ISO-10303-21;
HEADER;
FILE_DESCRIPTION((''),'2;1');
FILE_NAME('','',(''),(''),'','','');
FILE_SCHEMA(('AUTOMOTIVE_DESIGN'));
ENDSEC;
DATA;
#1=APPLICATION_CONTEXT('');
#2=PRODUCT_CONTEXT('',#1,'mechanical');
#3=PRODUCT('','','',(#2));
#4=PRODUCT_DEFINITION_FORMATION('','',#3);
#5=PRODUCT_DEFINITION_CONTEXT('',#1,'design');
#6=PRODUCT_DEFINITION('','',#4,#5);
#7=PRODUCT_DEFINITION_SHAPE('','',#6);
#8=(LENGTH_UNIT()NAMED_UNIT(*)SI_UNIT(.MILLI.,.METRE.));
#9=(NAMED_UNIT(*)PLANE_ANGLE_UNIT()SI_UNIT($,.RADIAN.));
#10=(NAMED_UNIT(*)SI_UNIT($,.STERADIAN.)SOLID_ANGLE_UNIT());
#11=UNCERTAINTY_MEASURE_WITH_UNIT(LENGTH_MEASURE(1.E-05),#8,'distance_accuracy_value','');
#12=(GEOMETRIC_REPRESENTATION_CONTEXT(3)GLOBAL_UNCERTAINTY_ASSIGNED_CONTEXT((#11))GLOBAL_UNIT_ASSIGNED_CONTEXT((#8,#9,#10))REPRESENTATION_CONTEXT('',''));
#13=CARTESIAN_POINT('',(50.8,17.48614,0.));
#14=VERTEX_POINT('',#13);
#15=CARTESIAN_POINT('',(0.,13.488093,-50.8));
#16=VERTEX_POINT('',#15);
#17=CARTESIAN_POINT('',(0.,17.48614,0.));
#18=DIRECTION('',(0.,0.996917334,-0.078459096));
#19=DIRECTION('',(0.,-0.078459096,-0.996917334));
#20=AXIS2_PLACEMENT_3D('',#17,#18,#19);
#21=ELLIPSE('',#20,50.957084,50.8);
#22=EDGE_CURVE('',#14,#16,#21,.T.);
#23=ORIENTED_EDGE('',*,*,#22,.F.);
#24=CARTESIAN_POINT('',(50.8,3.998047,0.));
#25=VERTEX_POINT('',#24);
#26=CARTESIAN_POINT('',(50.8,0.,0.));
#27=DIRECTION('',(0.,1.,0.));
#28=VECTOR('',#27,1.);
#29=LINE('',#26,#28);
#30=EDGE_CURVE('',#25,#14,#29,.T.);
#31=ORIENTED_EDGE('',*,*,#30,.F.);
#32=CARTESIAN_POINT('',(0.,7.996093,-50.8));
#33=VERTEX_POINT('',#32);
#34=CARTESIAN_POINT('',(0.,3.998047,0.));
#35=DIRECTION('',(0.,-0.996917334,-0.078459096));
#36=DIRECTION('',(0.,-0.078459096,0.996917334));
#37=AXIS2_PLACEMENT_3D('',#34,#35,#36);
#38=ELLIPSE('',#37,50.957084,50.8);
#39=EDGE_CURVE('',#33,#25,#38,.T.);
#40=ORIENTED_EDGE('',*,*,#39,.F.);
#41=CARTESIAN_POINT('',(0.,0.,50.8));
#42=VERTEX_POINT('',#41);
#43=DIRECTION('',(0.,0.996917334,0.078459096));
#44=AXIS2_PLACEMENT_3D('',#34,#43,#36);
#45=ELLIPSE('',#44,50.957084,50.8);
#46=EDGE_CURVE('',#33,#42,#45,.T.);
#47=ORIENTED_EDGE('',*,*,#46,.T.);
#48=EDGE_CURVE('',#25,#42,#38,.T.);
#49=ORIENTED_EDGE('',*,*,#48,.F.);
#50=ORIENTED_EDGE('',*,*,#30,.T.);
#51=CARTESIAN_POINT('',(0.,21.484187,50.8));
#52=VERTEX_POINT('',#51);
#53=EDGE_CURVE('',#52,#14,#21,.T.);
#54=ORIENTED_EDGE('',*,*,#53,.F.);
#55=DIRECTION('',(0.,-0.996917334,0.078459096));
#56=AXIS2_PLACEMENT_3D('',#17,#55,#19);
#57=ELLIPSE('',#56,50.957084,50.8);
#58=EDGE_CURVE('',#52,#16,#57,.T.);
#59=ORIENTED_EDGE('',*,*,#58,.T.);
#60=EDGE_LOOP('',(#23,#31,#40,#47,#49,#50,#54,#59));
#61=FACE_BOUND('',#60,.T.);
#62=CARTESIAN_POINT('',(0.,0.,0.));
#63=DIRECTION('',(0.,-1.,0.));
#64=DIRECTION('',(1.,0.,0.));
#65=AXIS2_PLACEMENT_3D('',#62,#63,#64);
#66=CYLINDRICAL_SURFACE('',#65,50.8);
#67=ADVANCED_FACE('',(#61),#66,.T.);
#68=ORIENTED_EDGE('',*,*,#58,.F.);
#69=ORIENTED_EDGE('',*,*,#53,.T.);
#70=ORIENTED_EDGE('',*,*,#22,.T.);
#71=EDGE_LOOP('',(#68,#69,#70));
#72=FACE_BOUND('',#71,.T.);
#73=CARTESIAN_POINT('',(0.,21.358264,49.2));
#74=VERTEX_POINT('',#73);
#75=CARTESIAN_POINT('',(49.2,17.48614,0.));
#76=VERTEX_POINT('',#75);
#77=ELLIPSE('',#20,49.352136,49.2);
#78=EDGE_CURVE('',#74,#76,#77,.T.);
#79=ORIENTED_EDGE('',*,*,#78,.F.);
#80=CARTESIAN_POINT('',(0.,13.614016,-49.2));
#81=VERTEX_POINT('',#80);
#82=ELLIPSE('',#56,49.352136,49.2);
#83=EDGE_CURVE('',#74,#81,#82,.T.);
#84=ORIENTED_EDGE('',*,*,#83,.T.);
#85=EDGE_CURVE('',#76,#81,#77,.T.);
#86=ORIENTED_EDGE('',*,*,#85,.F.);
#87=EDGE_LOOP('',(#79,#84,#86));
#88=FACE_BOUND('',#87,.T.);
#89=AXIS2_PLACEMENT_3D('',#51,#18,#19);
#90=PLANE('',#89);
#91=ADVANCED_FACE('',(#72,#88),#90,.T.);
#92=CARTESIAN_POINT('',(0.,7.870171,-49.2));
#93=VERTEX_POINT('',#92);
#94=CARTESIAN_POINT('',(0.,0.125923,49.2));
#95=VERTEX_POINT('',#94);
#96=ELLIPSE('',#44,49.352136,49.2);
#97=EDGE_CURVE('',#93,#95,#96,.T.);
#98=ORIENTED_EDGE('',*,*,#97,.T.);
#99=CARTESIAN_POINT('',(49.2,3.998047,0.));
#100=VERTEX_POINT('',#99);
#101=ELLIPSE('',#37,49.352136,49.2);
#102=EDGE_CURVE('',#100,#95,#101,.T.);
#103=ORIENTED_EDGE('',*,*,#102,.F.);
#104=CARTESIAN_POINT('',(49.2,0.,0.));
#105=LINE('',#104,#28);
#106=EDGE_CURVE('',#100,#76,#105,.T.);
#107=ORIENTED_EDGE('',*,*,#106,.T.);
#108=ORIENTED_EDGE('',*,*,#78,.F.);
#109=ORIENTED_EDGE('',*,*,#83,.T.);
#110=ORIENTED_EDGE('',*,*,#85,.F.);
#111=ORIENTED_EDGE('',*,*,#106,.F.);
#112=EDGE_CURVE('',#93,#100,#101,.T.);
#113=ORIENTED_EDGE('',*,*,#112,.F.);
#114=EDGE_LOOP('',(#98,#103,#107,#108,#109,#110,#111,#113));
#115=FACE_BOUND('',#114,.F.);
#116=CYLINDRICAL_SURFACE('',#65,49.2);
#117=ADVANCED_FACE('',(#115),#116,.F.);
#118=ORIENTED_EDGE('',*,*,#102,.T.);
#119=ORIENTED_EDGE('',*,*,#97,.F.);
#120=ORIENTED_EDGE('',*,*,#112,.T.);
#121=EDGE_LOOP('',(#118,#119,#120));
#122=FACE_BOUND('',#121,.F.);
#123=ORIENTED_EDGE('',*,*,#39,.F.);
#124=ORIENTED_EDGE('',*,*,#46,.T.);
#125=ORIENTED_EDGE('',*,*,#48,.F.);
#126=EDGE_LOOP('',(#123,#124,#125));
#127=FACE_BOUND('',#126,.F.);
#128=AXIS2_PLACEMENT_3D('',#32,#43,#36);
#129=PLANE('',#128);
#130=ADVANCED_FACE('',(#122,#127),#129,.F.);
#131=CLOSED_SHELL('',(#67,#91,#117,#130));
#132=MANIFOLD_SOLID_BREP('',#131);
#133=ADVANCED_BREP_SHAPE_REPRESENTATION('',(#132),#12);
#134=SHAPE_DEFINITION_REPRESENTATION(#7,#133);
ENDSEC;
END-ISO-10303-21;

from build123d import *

# Parameters (mm, degrees)
F0_R          = 50.8
F0_R_2        = 49.2
F1_DEPTH      = 1000
F3_DEPTH      = 50.801
F3_DEPTH_BACK = 50.801


with BuildPart() as f1:
    # F0 (on Front) → F1 (new body)
    with BuildSketch(Plane.XZ):
        Circle(F0_R)
        Circle(F0_R_2, mode=Mode.SUBTRACT)
    extrude(amount=-F1_DEPTH)

    # F2 (on Right) → F3 (cut, two sides)
    with BuildSketch(Plane.YZ) as f3_sk:
        Polygon((0, 50.8), (0, -50.8), (7.9960934134, -50.8), align=None)
        Polygon((1000, 50.8), (21.4841868268, 50.8), (13.4880934134, -50.8), (1000, -50.8), align=None)
    extrude(amount=-F3_DEPTH, mode=Mode.SUBTRACT)
    extrude(f3_sk.sketch, amount=F3_DEPTH_BACK, mode=Mode.SUBTRACT)


solid = f1.part
